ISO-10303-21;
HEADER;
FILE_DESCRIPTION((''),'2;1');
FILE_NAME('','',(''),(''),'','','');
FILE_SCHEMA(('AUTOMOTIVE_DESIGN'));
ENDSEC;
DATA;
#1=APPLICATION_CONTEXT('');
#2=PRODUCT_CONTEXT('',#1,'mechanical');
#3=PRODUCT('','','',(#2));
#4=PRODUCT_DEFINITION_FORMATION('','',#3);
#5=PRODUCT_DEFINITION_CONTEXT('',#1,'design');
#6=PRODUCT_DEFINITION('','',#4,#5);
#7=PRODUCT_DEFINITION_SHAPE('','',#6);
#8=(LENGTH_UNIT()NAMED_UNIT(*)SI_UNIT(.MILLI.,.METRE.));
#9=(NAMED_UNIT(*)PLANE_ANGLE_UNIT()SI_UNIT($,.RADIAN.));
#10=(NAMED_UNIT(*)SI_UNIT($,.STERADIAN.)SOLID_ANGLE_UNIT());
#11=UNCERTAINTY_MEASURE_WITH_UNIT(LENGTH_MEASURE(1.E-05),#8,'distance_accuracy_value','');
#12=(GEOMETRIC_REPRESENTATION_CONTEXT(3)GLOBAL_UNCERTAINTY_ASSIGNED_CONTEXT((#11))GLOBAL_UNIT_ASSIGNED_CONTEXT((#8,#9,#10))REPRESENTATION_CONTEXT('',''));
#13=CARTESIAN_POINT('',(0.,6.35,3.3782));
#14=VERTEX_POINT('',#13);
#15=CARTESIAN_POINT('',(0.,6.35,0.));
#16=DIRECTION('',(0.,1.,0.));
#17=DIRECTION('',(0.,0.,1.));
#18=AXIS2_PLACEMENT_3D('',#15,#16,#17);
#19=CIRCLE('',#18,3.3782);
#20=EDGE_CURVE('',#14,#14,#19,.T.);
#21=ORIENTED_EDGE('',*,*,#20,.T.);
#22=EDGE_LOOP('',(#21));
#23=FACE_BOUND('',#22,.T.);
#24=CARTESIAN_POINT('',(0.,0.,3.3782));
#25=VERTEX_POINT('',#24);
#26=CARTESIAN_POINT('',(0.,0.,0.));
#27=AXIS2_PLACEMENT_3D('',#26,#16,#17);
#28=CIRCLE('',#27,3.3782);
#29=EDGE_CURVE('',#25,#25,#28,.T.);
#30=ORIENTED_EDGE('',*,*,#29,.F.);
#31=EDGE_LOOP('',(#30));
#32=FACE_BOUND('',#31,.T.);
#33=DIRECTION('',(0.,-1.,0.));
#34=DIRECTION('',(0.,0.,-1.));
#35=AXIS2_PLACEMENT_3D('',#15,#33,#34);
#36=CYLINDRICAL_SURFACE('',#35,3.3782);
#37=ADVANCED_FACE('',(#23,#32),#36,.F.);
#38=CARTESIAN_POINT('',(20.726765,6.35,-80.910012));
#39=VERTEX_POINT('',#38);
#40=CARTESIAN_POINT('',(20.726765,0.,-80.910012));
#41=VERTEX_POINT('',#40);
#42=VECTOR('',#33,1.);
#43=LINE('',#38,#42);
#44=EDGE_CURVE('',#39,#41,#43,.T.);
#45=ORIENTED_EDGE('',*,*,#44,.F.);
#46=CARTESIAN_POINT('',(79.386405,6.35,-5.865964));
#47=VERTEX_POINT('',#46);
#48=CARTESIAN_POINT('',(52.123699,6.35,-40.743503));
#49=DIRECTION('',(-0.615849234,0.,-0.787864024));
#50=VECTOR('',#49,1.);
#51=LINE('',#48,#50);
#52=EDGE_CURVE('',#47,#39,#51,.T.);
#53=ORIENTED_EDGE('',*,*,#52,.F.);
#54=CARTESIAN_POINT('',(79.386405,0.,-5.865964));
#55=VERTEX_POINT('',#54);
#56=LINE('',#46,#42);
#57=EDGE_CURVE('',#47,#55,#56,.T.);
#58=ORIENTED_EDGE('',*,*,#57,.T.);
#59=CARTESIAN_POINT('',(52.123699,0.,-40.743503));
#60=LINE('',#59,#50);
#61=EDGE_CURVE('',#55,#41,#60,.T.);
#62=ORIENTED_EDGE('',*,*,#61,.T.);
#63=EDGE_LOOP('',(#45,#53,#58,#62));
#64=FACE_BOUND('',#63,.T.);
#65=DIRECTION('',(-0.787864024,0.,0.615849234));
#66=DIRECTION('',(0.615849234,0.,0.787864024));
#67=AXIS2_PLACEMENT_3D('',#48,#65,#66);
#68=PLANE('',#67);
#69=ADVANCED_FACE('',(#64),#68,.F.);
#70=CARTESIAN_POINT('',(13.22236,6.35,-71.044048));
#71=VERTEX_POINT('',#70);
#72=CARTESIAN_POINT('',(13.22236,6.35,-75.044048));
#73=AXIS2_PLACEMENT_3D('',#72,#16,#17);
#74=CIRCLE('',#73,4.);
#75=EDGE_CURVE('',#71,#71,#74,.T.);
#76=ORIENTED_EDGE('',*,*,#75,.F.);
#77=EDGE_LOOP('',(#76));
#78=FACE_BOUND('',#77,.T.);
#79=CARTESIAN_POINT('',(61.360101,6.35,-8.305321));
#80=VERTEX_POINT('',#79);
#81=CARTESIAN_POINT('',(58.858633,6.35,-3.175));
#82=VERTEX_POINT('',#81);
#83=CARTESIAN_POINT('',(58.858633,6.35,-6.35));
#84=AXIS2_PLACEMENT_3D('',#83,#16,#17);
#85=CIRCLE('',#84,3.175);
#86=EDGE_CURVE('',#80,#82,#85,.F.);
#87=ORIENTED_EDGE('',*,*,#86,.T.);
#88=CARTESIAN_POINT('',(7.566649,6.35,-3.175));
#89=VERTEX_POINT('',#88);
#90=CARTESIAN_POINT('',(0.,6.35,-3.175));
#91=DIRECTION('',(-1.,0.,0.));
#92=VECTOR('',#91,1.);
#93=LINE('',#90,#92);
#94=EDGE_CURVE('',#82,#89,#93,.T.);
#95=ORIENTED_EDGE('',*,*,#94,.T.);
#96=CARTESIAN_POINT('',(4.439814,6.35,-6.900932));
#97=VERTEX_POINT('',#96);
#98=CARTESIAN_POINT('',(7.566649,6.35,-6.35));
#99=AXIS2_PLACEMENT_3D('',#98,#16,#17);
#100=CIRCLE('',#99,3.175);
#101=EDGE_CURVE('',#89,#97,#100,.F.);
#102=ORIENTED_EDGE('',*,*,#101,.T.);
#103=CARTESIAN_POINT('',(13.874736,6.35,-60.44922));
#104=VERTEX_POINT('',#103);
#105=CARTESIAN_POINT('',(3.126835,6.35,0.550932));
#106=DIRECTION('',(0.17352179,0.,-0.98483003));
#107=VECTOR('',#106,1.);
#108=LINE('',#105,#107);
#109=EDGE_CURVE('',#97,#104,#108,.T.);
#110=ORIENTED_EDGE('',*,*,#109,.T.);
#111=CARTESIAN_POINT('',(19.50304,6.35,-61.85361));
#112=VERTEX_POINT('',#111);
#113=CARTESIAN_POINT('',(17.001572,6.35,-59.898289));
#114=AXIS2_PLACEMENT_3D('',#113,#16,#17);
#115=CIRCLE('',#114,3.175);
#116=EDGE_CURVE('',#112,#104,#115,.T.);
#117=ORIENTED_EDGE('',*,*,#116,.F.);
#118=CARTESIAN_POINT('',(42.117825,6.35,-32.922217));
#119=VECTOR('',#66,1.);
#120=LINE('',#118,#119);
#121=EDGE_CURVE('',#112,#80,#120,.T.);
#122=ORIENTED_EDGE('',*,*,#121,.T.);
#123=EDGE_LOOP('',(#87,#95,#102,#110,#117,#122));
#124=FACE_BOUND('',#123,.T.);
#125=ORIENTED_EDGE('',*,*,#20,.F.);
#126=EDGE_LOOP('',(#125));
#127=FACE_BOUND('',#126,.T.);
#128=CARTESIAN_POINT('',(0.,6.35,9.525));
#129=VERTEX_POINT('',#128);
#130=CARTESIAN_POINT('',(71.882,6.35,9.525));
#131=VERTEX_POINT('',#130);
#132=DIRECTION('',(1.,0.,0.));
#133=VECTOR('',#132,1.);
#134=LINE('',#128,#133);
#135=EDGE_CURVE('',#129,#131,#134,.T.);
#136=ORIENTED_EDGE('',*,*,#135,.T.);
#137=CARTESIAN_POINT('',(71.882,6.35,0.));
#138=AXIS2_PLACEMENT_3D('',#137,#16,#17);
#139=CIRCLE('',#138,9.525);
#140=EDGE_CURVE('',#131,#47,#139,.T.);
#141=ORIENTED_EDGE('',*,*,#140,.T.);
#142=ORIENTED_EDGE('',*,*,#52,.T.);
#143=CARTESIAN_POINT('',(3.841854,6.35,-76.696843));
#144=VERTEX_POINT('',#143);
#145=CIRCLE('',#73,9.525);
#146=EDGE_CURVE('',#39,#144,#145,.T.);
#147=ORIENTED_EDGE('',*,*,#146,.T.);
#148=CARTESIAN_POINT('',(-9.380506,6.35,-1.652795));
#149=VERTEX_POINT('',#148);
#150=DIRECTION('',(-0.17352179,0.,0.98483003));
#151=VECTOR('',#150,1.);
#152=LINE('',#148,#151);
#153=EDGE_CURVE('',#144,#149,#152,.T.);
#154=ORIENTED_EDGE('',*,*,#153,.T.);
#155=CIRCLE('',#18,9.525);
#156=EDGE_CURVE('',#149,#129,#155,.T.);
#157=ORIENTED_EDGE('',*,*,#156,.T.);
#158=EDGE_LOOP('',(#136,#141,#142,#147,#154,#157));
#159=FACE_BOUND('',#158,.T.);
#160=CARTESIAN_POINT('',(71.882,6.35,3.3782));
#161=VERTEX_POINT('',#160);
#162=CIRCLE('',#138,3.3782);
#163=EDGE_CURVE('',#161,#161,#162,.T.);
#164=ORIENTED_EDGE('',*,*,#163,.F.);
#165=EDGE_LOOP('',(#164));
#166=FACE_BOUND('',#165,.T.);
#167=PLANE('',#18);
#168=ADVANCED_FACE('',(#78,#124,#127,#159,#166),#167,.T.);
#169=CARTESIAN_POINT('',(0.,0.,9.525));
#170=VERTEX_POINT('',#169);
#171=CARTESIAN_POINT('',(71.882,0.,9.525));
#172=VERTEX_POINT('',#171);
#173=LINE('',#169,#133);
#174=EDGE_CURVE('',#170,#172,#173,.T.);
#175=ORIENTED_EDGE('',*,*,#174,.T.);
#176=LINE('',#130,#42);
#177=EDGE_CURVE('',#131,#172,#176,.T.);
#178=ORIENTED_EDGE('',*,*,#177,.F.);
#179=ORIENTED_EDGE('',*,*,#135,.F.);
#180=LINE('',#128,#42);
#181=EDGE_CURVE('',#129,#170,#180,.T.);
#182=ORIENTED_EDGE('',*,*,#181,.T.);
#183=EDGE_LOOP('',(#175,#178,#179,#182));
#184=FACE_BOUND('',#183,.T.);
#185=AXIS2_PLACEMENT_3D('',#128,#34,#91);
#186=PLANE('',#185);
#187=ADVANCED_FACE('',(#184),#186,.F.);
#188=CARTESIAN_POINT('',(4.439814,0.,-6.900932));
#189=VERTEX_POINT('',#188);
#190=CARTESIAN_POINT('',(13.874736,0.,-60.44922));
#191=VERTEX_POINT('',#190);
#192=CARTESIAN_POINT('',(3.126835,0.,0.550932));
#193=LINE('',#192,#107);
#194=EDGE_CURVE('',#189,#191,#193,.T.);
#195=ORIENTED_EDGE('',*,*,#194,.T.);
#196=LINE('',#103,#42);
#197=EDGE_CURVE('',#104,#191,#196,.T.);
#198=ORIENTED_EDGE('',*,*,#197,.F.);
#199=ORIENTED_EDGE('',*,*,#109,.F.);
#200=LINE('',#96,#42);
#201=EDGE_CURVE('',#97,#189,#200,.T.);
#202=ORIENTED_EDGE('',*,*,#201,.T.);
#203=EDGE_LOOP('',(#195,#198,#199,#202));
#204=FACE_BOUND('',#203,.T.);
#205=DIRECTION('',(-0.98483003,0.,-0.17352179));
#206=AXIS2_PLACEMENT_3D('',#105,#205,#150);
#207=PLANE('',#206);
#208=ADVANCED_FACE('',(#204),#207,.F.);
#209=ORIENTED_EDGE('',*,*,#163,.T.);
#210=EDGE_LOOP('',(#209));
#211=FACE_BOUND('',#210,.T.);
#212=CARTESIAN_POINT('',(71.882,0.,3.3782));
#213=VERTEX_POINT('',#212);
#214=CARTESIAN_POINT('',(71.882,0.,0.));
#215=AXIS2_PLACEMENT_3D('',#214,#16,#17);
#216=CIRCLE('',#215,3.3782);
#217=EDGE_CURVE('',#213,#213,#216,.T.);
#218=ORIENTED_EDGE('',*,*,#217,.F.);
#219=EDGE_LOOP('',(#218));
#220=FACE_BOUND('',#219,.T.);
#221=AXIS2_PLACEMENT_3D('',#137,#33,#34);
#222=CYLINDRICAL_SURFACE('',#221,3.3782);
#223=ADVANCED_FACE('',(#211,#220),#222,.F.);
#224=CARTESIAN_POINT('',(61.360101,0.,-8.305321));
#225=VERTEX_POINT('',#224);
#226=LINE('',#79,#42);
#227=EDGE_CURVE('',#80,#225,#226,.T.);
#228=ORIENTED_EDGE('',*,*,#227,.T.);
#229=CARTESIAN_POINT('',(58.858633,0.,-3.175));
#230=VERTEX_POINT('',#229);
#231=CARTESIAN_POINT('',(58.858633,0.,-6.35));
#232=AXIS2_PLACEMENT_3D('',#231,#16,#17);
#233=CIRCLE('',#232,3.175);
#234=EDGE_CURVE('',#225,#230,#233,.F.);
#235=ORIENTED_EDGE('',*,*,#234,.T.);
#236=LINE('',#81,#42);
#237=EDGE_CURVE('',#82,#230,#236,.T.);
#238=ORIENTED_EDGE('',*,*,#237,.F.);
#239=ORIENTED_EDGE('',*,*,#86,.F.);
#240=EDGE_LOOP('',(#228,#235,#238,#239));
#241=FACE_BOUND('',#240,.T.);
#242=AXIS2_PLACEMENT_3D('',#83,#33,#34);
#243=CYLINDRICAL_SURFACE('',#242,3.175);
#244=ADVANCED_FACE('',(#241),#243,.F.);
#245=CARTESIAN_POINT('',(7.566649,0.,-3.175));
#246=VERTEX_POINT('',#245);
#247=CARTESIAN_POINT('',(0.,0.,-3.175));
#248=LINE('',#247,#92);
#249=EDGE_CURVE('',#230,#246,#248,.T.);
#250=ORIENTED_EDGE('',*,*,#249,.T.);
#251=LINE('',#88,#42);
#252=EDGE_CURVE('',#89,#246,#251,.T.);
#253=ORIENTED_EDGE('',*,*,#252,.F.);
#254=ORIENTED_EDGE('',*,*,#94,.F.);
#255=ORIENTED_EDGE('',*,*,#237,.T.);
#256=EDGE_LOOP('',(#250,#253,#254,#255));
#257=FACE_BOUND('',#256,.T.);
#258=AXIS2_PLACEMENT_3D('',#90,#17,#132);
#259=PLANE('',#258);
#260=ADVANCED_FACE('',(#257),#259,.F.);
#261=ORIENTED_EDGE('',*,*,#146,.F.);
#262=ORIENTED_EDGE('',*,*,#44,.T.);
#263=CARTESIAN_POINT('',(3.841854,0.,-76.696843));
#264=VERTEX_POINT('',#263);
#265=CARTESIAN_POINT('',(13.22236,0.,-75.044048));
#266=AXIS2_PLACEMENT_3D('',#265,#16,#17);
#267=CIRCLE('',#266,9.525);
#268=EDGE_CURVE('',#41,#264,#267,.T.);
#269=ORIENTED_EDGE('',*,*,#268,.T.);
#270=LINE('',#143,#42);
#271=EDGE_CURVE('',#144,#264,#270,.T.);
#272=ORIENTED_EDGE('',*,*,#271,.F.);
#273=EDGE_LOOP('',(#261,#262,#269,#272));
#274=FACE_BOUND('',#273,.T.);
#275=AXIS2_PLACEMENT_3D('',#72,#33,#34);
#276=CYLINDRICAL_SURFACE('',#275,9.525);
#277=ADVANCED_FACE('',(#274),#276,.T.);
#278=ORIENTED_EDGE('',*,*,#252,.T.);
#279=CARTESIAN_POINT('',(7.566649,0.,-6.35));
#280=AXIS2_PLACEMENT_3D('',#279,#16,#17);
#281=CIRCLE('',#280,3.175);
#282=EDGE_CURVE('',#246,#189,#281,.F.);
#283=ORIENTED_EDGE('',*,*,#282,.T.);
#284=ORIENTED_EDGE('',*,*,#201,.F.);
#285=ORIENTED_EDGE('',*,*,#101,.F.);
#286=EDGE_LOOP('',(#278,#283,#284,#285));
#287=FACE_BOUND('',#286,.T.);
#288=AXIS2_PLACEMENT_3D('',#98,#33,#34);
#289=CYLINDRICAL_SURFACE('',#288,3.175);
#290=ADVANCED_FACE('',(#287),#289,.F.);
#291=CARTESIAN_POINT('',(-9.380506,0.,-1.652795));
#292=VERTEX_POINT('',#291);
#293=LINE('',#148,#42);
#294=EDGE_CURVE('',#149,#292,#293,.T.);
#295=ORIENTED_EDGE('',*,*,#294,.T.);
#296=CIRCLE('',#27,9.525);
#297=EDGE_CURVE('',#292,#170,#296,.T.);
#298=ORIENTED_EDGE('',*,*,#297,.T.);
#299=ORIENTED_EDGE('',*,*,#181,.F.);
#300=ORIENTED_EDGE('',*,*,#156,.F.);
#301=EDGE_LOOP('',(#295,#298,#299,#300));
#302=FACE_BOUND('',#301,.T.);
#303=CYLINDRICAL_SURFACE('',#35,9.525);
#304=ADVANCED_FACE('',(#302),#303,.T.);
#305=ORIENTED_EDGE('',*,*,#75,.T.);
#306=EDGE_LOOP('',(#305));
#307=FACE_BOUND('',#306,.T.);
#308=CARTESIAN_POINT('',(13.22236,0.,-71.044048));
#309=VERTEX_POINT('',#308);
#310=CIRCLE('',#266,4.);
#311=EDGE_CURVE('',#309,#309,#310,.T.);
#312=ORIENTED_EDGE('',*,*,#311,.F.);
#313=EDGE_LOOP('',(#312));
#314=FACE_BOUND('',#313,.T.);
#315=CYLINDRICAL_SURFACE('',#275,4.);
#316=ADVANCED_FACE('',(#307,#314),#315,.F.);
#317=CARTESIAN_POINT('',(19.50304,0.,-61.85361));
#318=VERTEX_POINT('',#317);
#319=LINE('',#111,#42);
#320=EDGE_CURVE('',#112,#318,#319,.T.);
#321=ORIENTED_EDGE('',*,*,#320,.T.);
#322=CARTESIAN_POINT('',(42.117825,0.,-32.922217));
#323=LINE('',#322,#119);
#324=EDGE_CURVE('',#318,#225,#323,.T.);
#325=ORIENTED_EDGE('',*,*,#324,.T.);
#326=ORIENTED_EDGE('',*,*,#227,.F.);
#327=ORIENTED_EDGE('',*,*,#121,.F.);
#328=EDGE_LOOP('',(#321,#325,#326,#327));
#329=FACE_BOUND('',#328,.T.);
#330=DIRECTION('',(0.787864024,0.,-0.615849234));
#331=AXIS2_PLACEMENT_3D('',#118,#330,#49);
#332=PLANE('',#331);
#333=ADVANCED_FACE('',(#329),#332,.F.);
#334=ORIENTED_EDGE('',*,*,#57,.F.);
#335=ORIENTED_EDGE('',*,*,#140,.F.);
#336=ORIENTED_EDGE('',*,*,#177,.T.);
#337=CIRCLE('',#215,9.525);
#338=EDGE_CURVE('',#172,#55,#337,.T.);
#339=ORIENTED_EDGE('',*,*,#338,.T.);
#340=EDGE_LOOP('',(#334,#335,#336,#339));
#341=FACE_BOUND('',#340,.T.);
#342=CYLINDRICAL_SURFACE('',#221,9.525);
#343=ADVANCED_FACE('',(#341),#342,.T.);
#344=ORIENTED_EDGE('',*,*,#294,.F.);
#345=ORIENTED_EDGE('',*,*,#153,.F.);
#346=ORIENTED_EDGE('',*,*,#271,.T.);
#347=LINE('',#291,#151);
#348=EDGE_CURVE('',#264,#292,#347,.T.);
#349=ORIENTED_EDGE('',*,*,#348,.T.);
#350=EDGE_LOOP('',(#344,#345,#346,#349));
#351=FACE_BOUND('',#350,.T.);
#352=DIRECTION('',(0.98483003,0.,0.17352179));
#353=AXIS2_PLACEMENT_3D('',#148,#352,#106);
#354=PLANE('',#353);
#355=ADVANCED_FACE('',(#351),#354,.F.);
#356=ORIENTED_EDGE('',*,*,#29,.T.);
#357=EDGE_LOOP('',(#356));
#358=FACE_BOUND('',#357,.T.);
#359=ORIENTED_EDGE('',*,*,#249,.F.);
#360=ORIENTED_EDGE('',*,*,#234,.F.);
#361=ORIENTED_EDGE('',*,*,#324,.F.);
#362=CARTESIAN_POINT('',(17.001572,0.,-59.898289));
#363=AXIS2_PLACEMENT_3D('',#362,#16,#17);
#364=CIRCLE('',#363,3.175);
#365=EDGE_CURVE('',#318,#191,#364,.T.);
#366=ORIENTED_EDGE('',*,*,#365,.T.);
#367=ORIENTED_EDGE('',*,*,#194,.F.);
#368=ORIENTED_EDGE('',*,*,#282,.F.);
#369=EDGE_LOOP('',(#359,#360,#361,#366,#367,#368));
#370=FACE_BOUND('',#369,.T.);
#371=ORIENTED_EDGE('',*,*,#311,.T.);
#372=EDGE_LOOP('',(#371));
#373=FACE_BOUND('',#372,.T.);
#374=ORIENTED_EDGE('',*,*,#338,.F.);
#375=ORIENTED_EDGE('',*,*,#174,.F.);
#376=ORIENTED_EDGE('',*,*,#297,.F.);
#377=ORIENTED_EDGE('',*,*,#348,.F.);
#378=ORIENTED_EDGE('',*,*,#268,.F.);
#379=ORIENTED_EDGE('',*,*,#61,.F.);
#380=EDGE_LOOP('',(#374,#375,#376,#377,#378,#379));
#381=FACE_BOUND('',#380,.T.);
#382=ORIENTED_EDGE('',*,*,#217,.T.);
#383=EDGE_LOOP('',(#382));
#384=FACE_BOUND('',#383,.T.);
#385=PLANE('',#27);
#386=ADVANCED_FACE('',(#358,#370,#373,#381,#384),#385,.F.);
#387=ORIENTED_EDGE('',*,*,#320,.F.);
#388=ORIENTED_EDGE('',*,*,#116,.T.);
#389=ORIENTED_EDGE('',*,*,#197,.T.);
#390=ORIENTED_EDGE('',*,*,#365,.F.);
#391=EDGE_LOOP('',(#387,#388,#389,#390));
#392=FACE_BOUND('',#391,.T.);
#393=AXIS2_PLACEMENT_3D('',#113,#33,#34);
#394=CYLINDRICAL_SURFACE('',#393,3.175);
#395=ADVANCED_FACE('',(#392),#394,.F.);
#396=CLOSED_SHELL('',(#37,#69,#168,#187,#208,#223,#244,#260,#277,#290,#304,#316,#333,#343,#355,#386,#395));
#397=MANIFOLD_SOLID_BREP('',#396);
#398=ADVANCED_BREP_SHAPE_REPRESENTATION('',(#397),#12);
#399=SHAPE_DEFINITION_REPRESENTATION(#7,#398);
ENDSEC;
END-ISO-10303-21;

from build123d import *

# Parameters (mm, degrees)
SKETCH1_R           = 3.3782
SKETCH1_R_2         = 9.525
SKETCH1_R_3         = 4
BOSS_EXTRUDE2_DEPTH = 6.35


with BuildPart() as part:
    # Sketch1 → Boss-Extrude2 (new body)
    # profile 1 of 4: a face of its own
    with BuildSketch(Plane(origin=(0, 0, 0), x_dir=(1, 0, 0), z_dir=(0, 1, 0))):
        with BuildLine():
            ThreePointArc((22.747360424, 75.044048297), (12.392810408, 65.555240586), (3.84185454, 76.696844221))
            Line((3.84185454, 76.696844221), (-9.380506141, 1.652794466))
            ThreePointArc((-9.380506141, 1.652794466), (-4.066336445, 8.613392648), (4.685105466, 8.293094222))
            Line((4.685105466, 8.293094222), (13.874736256, 60.449220264))
            ThreePointArc((13.874736256, 60.449220264), (16.232904863, 62.978836655), (19.503039878, 61.853609899))
            Line((19.503039878, 61.853609899), (61.360100888, 8.305321319))
            ThreePointArc((61.360100888, 8.305321319), (61.712469519, 4.958511622), (58.858632611, 3.175))
            Line((58.858632611, 3.175), (8.980256121, 3.175))
            ThreePointArc((8.980256121, 3.175), (9.387826281, 1.610696347), (9.525, 0))
            ThreePointArc((9.525, 0), (6.735192091, -6.735192091), (0, -9.525))
            Line((0, -9.525), (71.882, -9.525))
            ThreePointArc((71.882, -9.525), (63.320489429, 4.174465444), (79.386405256, 5.865963413))
            Line((79.386405256, 5.865963413), (20.726765648, 80.910011751))
            ThreePointArc((20.726765648, 80.910011751), (22.228055421, 78.14615768), (22.747360424, 75.044048297))
        make_face()
    # profile 2 of 4: a face of its own
    with BuildSketch(Plane(origin=(0, 0, 0), x_dir=(1, 0, 0), z_dir=(0, 1, 0))):
        with BuildLine():
            ThreePointArc((4.685105466, 8.293094222), (-4.066336445, 8.613392648), (-9.380506141, 1.652794466))
            ThreePointArc((-9.380506141, 1.652794466), (-7.296180243, -6.123020403), (0, -9.525))
            ThreePointArc((0, -9.525), (6.735192091, -6.735192091), (9.525, 0))
            ThreePointArc((9.525, 0), (9.387826281, 1.610696347), (8.980256121, 3.175))
            Line((8.980256121, 3.175), (7.566649209, 3.175))
            ThreePointArc((7.566649209, 3.175), (5.134589064, 4.308993275), (4.439813863, 6.900931684))
            Line((4.439813863, 6.900931684), (4.685105466, 8.293094222))
        make_face()
        with Locations(Location((0, 0, 0), (0, 0, 270))):
            Circle(SKETCH1_R, mode=Mode.SUBTRACT)
    # profile 3 of 4: a face of its own
    with BuildSketch(Plane(origin=(0, 0, 0), x_dir=(1, 0, 0), z_dir=(0, 1, 0))):
        with Locations((71.882, 0)):
            Circle(SKETCH1_R_2)
        with Locations(Location((71.882, 0, 0), (0, 0, 270))):
            Circle(SKETCH1_R, mode=Mode.SUBTRACT)
    # profile 4 of 4: a face of its own
    with BuildSketch(Plane(origin=(0, 0, 0), x_dir=(1, 0, 0), z_dir=(0, 1, 0))):
        with Locations((13.222360424, 75.044048297)):
            Circle(SKETCH1_R_2)
        with Locations(Location((13.222360424, 75.044048297, 0), (0, 0, 270))):
            Circle(SKETCH1_R_3, mode=Mode.SUBTRACT)
    extrude(amount=BOSS_EXTRUDE2_DEPTH)


solid = part.part
